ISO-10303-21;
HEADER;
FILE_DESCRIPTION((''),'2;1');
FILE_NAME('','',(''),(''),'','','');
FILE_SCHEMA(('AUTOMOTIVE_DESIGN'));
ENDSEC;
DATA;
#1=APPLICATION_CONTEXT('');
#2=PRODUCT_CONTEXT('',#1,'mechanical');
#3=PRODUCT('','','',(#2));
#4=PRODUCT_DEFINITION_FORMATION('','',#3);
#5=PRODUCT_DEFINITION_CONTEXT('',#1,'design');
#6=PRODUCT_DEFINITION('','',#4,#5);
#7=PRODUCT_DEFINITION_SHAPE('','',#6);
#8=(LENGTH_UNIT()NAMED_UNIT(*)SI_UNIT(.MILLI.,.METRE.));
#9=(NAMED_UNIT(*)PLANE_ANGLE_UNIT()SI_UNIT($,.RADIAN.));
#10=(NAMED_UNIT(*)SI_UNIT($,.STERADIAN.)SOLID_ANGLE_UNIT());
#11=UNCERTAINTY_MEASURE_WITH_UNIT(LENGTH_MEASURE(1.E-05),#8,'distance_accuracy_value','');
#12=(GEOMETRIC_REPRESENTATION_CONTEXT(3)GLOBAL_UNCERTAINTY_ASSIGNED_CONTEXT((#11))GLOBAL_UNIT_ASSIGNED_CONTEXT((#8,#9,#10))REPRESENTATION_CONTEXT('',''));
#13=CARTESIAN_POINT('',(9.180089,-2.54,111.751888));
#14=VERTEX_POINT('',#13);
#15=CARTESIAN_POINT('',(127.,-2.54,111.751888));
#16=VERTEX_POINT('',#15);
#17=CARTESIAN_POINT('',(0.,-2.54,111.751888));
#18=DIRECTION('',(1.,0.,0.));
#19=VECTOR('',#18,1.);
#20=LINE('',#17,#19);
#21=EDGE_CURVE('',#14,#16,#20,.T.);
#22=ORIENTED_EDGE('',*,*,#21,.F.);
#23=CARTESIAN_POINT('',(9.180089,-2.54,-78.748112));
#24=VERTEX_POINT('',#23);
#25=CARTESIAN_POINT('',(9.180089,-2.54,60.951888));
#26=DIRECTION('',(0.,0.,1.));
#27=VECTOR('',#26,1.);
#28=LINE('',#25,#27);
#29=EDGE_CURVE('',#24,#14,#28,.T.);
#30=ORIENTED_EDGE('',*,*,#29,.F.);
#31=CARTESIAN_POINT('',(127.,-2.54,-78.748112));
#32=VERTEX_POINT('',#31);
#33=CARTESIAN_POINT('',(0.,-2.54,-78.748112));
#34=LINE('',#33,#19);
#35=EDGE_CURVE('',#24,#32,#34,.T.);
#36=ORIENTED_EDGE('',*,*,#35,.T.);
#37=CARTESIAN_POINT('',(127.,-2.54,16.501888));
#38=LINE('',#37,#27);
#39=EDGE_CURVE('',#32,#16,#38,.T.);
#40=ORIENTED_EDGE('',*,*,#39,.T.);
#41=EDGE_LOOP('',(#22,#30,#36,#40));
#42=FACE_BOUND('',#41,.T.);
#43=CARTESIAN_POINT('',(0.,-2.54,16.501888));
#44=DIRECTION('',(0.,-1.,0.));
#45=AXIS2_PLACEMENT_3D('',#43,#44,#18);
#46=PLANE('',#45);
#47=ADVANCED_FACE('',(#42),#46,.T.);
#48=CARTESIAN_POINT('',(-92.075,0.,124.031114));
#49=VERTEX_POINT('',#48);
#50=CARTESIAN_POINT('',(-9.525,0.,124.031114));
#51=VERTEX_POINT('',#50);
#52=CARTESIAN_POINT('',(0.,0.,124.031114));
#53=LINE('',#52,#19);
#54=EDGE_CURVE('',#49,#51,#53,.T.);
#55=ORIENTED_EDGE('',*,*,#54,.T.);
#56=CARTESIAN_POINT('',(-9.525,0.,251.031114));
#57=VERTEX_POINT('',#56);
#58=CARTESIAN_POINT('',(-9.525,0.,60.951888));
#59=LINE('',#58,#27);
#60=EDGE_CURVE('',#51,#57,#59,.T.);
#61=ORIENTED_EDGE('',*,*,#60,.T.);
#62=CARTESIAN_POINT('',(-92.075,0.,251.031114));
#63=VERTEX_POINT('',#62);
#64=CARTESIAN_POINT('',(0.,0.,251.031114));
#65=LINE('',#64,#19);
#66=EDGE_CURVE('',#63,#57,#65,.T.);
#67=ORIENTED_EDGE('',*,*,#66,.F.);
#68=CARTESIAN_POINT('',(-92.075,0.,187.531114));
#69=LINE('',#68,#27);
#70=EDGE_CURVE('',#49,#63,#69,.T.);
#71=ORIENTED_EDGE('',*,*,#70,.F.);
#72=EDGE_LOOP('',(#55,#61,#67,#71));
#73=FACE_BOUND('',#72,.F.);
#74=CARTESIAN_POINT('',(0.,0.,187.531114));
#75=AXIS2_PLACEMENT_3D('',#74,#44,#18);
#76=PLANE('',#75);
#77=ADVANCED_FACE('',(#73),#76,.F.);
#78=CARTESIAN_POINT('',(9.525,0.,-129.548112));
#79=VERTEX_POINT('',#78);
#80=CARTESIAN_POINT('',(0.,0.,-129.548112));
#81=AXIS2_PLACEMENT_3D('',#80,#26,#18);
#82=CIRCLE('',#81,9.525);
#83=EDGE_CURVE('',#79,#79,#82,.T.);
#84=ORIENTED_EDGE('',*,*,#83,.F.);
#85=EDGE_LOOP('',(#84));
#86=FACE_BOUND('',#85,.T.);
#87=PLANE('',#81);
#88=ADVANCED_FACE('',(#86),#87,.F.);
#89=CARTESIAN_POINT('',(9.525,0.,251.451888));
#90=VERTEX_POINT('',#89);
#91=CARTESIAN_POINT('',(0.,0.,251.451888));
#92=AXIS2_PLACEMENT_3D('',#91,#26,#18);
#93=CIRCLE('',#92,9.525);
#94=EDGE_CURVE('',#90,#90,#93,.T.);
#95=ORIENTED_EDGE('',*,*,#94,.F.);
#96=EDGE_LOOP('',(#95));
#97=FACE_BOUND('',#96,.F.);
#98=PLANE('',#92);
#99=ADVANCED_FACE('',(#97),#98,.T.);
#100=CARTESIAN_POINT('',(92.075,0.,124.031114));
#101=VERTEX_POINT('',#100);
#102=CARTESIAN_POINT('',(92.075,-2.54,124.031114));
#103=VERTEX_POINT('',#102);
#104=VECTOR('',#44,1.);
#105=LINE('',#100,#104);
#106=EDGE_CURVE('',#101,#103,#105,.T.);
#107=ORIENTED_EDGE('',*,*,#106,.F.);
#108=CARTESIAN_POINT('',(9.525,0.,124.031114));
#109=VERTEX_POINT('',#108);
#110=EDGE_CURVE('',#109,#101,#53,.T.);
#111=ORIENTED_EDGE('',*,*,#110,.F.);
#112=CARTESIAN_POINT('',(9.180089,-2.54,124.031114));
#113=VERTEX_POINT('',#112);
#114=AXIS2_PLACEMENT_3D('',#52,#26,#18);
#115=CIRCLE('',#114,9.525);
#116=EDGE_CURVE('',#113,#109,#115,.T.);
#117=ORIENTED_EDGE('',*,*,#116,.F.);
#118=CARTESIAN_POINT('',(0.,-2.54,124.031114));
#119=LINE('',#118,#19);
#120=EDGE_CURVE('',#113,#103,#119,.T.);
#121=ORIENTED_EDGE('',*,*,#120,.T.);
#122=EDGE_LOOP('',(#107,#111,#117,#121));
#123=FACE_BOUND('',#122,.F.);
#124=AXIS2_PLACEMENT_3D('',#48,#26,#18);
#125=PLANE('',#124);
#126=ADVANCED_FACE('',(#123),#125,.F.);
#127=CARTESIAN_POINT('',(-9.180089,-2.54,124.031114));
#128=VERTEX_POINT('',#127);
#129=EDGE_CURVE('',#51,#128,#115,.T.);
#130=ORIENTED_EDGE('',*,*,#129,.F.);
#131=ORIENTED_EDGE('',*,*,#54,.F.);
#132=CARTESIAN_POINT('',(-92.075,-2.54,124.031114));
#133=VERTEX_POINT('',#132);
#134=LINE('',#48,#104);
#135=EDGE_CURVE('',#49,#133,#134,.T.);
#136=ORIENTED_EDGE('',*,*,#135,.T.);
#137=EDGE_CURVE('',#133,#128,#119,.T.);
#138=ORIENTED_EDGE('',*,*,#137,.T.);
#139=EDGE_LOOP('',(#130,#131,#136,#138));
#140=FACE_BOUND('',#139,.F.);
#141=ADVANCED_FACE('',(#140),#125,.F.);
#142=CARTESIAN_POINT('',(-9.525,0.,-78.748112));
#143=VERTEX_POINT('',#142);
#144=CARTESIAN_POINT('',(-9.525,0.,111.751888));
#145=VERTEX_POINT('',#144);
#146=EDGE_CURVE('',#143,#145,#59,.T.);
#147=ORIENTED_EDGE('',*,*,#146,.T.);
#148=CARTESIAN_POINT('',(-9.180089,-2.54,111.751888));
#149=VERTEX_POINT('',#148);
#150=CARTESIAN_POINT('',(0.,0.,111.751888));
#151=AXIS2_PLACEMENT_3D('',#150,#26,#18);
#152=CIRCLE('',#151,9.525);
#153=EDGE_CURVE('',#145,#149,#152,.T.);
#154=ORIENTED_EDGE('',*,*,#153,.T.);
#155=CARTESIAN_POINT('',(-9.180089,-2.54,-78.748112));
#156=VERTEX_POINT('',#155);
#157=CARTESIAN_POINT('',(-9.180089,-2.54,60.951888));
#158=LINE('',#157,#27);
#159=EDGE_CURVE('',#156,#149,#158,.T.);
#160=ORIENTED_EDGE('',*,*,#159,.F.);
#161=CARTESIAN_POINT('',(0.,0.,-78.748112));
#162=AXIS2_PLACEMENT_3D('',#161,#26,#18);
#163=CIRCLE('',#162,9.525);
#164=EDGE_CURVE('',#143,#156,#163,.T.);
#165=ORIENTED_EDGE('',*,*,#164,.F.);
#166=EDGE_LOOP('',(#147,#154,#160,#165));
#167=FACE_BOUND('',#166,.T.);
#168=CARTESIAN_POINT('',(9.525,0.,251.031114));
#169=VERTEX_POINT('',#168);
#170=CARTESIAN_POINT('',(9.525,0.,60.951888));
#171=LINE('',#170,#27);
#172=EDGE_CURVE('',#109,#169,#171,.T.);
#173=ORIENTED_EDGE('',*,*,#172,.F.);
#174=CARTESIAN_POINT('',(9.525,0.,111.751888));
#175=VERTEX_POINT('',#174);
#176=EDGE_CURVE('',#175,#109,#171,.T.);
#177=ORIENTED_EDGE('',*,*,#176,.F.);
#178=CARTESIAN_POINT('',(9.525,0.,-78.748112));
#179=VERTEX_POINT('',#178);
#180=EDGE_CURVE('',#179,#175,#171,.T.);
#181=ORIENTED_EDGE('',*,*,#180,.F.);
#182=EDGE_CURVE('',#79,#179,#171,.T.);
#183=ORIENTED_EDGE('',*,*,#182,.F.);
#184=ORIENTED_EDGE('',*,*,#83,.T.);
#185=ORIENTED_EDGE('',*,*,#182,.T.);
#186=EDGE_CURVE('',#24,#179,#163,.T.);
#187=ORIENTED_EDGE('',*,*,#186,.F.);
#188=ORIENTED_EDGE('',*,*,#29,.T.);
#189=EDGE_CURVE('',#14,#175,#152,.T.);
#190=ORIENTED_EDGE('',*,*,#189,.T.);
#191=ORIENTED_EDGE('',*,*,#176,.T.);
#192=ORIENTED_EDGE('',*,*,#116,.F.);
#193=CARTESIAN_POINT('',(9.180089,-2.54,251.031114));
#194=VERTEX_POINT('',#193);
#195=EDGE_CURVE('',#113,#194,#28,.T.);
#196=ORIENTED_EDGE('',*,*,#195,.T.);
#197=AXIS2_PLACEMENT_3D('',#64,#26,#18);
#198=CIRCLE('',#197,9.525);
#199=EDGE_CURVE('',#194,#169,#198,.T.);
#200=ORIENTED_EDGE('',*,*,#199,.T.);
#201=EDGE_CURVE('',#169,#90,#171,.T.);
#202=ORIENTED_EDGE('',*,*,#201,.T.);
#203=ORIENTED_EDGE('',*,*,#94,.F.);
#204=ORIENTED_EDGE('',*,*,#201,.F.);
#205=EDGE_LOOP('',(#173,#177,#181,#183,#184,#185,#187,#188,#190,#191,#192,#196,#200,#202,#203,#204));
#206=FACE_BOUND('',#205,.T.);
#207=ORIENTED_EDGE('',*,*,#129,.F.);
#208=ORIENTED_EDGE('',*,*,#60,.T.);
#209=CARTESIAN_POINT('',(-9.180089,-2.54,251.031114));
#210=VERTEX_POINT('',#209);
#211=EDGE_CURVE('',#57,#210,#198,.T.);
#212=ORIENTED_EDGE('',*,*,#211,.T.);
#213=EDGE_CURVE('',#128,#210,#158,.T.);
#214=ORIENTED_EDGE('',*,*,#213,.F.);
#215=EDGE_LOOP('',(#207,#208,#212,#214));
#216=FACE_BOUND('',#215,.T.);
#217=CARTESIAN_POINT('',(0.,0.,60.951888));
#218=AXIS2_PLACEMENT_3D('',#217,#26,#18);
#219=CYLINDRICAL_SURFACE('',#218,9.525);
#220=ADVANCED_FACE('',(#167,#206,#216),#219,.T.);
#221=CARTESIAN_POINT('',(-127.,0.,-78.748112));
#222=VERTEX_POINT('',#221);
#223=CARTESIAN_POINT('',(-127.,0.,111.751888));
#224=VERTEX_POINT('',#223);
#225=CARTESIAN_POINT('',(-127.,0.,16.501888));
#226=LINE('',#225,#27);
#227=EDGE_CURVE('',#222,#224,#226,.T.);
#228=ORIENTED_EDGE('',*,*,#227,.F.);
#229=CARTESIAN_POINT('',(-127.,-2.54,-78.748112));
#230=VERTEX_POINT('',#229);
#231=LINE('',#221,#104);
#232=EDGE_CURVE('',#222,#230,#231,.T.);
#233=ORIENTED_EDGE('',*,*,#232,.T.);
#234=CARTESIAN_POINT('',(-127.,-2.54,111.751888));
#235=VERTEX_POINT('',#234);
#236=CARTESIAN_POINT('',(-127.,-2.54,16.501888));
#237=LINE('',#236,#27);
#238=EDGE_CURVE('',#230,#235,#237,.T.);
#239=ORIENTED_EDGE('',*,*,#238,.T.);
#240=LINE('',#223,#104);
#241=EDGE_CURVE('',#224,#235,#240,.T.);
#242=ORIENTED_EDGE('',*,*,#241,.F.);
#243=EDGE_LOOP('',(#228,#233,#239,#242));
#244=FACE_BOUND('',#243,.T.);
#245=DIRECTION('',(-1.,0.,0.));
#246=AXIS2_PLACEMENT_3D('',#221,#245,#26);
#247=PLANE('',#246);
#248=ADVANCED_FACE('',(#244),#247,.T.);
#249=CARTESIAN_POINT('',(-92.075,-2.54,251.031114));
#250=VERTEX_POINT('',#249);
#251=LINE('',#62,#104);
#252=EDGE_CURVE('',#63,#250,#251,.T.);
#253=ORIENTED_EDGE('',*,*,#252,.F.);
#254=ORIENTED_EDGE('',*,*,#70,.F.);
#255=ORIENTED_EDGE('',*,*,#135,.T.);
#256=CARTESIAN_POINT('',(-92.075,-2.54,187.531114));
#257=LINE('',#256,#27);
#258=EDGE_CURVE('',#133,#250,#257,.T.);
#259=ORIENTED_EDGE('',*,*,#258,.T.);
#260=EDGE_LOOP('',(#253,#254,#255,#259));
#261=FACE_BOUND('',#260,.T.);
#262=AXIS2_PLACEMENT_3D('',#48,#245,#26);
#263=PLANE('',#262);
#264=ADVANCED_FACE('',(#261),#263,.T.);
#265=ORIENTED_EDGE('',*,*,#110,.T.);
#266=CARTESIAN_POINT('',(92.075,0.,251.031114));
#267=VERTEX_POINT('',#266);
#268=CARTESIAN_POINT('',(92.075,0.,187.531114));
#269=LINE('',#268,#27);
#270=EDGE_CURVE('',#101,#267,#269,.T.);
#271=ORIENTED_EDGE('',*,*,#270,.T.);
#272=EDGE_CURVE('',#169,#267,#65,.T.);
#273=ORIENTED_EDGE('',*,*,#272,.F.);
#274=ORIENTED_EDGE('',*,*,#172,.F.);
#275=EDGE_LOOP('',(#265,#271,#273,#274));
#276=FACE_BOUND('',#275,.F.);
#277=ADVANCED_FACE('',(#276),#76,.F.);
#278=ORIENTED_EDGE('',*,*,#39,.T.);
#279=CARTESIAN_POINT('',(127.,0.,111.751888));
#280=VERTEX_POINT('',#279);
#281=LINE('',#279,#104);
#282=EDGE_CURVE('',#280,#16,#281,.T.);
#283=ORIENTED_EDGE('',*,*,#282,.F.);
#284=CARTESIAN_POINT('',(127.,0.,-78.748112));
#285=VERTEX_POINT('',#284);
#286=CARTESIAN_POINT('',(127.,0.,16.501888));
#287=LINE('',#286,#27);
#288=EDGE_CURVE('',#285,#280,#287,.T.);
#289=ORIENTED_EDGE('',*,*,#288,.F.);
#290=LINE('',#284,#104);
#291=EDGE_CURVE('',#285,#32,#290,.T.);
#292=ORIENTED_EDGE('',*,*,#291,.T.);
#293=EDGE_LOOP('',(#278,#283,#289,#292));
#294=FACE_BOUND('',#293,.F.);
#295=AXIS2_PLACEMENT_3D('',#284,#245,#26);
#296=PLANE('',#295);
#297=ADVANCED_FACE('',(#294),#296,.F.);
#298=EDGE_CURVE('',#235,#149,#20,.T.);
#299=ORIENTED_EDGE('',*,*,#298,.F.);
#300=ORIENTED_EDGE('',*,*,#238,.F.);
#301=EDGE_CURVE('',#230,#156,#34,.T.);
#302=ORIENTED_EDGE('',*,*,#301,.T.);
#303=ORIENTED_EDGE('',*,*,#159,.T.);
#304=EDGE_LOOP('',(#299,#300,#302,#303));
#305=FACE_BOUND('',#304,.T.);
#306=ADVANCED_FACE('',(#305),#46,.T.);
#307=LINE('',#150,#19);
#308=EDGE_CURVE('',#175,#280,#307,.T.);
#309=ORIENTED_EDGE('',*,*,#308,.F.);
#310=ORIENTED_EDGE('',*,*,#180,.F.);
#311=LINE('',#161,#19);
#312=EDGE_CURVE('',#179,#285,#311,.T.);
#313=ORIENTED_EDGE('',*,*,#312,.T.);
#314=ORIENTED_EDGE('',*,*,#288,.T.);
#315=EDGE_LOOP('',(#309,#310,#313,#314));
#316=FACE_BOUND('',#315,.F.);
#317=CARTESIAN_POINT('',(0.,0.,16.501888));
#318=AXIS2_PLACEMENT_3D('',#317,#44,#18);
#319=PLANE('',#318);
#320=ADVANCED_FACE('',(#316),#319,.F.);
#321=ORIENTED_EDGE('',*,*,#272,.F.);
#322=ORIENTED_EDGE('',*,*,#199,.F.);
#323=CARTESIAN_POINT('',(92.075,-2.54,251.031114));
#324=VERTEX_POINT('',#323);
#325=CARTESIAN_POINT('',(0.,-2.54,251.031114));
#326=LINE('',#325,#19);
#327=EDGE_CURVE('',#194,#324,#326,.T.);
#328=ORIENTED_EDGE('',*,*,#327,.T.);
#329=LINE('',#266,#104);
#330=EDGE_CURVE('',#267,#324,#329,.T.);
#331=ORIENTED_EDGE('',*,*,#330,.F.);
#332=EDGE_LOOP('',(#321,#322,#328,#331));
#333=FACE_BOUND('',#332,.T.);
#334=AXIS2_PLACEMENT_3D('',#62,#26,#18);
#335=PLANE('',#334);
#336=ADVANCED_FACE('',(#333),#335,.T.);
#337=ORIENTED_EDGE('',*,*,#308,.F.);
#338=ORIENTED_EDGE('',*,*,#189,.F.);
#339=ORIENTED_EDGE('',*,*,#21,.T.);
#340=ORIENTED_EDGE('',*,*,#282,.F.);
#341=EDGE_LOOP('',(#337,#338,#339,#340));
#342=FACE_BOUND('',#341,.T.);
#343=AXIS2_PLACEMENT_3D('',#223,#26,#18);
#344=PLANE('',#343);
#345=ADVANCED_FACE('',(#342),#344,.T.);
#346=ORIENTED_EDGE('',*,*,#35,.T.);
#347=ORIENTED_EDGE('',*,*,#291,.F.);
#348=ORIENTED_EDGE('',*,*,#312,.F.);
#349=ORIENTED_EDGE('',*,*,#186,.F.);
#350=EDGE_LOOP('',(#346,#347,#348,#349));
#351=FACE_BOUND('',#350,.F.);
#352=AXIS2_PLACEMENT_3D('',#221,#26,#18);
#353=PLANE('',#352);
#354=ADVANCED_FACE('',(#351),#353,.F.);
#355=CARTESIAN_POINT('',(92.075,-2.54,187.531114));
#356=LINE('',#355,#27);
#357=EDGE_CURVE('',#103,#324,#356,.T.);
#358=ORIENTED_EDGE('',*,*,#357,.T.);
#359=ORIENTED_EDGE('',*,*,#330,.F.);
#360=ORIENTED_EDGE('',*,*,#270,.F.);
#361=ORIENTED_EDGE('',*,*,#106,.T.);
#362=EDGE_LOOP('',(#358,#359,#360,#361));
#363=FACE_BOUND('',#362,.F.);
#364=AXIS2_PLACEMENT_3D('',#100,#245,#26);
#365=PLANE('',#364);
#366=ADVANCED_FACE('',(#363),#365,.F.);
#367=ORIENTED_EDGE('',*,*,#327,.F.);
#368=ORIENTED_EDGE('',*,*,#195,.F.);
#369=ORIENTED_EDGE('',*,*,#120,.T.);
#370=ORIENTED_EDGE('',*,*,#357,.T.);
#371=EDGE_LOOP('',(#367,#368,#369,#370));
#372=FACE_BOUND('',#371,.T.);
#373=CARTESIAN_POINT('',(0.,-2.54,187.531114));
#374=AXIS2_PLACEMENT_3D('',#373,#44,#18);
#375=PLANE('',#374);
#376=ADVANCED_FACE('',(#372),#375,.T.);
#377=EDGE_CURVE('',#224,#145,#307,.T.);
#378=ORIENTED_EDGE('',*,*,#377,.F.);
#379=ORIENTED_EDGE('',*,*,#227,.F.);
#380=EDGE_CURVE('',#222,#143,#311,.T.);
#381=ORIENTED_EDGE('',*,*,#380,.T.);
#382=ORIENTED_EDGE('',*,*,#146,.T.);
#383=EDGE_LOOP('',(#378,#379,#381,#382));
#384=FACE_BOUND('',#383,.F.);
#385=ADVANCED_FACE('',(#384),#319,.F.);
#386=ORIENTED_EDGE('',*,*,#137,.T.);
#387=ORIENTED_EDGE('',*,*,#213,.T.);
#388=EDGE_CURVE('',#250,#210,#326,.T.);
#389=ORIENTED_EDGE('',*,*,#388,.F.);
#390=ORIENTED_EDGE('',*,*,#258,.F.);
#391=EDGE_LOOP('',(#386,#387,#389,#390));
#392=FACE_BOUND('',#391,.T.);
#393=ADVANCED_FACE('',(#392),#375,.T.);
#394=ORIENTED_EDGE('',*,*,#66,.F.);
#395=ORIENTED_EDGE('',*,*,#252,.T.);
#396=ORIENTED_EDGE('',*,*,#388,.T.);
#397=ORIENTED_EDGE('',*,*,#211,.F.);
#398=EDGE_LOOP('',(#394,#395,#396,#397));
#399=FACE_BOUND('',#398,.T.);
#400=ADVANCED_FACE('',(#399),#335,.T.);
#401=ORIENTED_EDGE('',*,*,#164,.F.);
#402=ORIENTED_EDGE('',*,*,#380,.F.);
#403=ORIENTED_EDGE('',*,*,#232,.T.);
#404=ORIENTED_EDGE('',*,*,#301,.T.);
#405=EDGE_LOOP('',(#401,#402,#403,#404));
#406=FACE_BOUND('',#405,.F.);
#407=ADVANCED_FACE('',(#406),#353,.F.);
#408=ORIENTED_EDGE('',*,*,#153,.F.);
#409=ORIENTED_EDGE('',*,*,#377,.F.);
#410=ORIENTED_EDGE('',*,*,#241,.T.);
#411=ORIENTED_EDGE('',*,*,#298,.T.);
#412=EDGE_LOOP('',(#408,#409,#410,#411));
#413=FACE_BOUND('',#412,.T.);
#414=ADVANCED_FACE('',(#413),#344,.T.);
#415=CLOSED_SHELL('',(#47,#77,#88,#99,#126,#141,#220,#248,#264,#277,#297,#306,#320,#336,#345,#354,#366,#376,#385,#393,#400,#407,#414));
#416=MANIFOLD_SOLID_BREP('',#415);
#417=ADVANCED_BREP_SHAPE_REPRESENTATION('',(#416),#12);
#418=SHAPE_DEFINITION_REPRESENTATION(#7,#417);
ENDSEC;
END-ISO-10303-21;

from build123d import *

# Parameters (mm, degrees)
F0_W     = 9.525
F0_H     = 381
F2_W     = 184.15
F2_H     = 127
F2_W_2   = 254
F2_H_2   = 190.5
F3_DEPTH = 2.54


with BuildPart() as f1:
    # F0 (on Front) → F1 (revolve)
    with BuildSketch(Plane.XZ):
        with Locations((4.7625, 60.951888)):
            Rectangle(F0_W, F0_H)
    revolve(axis=Axis((0, 0, 60.951888), (0, 0, 1)))

    # F2 (on Front) → F3 (join)
    with BuildSketch(Plane.XZ):
        with Locations((0, 187.531114)):
            Rectangle(F2_W, F2_H)
        with Locations((0, 16.501888)):
            Rectangle(F2_W_2, F2_H_2)
    extrude(amount=F3_DEPTH)


solid = f1.part
